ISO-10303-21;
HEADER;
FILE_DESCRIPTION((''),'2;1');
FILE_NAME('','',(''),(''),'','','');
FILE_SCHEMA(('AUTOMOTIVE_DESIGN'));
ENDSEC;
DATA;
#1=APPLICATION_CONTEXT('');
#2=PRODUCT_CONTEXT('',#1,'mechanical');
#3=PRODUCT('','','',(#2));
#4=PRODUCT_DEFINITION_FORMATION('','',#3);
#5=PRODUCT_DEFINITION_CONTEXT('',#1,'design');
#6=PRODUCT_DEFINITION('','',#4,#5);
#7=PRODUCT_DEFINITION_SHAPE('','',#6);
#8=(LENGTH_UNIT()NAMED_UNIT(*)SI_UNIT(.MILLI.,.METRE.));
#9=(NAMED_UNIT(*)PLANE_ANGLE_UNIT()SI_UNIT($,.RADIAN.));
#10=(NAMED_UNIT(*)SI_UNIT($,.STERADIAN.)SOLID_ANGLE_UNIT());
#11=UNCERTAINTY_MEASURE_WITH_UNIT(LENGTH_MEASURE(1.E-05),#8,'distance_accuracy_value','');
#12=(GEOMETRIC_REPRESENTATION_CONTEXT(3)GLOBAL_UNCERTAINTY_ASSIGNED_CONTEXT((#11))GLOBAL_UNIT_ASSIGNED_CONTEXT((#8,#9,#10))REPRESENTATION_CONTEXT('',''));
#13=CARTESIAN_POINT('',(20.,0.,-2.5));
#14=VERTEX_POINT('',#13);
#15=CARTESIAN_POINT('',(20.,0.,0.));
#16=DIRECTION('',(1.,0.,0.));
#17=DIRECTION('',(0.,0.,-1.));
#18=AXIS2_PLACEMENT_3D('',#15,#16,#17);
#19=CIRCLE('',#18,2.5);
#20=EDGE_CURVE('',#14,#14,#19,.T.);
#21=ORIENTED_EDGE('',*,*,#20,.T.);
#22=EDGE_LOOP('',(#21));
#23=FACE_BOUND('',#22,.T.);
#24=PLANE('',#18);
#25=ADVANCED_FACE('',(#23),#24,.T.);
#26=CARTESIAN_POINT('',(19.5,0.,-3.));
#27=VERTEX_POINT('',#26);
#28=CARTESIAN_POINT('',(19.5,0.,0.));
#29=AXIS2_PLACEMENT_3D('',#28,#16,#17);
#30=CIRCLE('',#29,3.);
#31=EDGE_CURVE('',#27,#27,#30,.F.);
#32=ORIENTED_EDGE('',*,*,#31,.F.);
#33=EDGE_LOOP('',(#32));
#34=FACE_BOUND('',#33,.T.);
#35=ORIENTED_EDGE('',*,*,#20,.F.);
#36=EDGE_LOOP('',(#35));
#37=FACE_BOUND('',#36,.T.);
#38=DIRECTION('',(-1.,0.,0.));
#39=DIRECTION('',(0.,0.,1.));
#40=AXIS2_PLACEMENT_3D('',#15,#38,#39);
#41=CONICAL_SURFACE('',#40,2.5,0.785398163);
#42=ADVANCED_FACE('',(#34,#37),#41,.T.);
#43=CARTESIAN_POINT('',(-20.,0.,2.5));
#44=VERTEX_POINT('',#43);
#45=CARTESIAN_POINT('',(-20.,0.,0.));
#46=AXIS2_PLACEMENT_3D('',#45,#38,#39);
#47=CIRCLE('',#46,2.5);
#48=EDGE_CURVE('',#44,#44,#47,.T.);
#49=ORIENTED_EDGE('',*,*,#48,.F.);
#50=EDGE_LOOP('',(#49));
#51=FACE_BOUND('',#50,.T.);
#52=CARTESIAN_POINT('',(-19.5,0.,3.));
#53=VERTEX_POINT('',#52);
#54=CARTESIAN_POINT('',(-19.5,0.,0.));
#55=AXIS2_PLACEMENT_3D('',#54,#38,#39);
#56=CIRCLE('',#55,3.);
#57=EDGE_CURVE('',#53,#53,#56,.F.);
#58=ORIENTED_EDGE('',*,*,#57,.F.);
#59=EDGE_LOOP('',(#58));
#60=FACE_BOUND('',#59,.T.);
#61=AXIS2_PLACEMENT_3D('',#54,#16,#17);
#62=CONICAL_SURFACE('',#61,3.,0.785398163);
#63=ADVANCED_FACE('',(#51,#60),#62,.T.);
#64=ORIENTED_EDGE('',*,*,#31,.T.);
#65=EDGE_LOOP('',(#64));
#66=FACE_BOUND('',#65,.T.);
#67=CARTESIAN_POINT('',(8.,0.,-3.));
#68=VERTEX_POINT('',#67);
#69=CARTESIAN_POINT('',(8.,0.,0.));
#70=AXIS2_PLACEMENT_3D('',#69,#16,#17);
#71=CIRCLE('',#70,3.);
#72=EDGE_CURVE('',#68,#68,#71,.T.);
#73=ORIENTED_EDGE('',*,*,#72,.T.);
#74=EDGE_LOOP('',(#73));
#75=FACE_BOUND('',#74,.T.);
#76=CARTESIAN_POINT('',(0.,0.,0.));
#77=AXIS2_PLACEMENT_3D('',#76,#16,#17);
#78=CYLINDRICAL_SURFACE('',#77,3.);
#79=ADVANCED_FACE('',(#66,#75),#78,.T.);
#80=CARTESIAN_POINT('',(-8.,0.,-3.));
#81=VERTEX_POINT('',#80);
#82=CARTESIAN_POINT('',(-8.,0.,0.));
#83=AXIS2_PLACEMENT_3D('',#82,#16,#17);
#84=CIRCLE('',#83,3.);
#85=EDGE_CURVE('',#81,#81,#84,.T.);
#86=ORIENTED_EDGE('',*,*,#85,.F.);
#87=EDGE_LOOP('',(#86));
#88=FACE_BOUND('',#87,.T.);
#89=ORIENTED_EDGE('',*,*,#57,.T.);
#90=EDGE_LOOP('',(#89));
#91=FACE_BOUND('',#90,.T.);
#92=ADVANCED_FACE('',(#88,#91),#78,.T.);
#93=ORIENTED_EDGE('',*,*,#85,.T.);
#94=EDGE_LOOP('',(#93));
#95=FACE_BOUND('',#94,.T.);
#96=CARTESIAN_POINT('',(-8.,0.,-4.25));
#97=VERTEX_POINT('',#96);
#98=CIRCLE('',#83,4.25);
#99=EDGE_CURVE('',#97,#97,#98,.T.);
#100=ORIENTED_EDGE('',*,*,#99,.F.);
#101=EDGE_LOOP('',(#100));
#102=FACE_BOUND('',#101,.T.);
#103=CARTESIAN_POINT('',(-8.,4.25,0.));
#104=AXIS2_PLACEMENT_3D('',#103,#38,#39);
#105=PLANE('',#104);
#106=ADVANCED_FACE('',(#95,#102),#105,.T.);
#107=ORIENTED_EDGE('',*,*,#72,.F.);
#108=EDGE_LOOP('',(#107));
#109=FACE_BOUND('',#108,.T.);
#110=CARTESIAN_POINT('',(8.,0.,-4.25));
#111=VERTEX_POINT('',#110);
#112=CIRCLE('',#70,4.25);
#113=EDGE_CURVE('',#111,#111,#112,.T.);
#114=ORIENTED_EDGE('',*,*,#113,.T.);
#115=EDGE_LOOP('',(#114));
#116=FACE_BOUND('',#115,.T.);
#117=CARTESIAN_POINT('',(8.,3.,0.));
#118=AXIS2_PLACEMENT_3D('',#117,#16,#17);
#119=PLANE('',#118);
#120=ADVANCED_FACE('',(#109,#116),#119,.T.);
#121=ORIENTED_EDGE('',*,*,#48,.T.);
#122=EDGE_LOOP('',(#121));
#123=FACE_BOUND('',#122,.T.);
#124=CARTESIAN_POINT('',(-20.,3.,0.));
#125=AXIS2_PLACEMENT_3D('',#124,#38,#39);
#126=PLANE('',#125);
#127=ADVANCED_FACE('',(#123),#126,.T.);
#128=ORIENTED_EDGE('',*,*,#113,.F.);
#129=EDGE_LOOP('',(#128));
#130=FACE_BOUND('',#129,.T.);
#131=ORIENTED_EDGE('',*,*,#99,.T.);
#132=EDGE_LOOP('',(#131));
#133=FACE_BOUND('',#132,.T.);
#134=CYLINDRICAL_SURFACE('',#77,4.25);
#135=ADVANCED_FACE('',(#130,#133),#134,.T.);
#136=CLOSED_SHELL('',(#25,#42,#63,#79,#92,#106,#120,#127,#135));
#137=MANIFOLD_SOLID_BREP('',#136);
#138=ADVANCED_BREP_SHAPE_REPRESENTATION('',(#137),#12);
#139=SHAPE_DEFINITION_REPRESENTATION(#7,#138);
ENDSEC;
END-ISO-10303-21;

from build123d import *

# Parameters (mm, degrees)
CHAMFER1_SIZE = 0.5


with BuildPart() as part:
    # Sketch1 → Revolve1 (revolve)
    with BuildSketch(Plane.XY, mode=Mode.PRIVATE) as revolve1_sk:
        Polygon((0, 0), (-20, 0), (-20, 3), (-8, 3), (-8, 4.25), (8, 4.25), (8, 3), (20, 3), (20, 0), align=None)
    revolve(revolve1_sk.sketch.rotate(Axis((0, 0, 0), (-1, 0, 0)), 90), axis=Axis((0, 0, 0), (-1, 0, 0)))

    # Chamfer1
    chamfer1_edges = [part.edges().sort_by_distance(p)[0] for p in [
        (20, 0, 3),
        (-20, 0, 3),
    ]]
    chamfer(chamfer1_edges, length=CHAMFER1_SIZE)


solid = part.part
